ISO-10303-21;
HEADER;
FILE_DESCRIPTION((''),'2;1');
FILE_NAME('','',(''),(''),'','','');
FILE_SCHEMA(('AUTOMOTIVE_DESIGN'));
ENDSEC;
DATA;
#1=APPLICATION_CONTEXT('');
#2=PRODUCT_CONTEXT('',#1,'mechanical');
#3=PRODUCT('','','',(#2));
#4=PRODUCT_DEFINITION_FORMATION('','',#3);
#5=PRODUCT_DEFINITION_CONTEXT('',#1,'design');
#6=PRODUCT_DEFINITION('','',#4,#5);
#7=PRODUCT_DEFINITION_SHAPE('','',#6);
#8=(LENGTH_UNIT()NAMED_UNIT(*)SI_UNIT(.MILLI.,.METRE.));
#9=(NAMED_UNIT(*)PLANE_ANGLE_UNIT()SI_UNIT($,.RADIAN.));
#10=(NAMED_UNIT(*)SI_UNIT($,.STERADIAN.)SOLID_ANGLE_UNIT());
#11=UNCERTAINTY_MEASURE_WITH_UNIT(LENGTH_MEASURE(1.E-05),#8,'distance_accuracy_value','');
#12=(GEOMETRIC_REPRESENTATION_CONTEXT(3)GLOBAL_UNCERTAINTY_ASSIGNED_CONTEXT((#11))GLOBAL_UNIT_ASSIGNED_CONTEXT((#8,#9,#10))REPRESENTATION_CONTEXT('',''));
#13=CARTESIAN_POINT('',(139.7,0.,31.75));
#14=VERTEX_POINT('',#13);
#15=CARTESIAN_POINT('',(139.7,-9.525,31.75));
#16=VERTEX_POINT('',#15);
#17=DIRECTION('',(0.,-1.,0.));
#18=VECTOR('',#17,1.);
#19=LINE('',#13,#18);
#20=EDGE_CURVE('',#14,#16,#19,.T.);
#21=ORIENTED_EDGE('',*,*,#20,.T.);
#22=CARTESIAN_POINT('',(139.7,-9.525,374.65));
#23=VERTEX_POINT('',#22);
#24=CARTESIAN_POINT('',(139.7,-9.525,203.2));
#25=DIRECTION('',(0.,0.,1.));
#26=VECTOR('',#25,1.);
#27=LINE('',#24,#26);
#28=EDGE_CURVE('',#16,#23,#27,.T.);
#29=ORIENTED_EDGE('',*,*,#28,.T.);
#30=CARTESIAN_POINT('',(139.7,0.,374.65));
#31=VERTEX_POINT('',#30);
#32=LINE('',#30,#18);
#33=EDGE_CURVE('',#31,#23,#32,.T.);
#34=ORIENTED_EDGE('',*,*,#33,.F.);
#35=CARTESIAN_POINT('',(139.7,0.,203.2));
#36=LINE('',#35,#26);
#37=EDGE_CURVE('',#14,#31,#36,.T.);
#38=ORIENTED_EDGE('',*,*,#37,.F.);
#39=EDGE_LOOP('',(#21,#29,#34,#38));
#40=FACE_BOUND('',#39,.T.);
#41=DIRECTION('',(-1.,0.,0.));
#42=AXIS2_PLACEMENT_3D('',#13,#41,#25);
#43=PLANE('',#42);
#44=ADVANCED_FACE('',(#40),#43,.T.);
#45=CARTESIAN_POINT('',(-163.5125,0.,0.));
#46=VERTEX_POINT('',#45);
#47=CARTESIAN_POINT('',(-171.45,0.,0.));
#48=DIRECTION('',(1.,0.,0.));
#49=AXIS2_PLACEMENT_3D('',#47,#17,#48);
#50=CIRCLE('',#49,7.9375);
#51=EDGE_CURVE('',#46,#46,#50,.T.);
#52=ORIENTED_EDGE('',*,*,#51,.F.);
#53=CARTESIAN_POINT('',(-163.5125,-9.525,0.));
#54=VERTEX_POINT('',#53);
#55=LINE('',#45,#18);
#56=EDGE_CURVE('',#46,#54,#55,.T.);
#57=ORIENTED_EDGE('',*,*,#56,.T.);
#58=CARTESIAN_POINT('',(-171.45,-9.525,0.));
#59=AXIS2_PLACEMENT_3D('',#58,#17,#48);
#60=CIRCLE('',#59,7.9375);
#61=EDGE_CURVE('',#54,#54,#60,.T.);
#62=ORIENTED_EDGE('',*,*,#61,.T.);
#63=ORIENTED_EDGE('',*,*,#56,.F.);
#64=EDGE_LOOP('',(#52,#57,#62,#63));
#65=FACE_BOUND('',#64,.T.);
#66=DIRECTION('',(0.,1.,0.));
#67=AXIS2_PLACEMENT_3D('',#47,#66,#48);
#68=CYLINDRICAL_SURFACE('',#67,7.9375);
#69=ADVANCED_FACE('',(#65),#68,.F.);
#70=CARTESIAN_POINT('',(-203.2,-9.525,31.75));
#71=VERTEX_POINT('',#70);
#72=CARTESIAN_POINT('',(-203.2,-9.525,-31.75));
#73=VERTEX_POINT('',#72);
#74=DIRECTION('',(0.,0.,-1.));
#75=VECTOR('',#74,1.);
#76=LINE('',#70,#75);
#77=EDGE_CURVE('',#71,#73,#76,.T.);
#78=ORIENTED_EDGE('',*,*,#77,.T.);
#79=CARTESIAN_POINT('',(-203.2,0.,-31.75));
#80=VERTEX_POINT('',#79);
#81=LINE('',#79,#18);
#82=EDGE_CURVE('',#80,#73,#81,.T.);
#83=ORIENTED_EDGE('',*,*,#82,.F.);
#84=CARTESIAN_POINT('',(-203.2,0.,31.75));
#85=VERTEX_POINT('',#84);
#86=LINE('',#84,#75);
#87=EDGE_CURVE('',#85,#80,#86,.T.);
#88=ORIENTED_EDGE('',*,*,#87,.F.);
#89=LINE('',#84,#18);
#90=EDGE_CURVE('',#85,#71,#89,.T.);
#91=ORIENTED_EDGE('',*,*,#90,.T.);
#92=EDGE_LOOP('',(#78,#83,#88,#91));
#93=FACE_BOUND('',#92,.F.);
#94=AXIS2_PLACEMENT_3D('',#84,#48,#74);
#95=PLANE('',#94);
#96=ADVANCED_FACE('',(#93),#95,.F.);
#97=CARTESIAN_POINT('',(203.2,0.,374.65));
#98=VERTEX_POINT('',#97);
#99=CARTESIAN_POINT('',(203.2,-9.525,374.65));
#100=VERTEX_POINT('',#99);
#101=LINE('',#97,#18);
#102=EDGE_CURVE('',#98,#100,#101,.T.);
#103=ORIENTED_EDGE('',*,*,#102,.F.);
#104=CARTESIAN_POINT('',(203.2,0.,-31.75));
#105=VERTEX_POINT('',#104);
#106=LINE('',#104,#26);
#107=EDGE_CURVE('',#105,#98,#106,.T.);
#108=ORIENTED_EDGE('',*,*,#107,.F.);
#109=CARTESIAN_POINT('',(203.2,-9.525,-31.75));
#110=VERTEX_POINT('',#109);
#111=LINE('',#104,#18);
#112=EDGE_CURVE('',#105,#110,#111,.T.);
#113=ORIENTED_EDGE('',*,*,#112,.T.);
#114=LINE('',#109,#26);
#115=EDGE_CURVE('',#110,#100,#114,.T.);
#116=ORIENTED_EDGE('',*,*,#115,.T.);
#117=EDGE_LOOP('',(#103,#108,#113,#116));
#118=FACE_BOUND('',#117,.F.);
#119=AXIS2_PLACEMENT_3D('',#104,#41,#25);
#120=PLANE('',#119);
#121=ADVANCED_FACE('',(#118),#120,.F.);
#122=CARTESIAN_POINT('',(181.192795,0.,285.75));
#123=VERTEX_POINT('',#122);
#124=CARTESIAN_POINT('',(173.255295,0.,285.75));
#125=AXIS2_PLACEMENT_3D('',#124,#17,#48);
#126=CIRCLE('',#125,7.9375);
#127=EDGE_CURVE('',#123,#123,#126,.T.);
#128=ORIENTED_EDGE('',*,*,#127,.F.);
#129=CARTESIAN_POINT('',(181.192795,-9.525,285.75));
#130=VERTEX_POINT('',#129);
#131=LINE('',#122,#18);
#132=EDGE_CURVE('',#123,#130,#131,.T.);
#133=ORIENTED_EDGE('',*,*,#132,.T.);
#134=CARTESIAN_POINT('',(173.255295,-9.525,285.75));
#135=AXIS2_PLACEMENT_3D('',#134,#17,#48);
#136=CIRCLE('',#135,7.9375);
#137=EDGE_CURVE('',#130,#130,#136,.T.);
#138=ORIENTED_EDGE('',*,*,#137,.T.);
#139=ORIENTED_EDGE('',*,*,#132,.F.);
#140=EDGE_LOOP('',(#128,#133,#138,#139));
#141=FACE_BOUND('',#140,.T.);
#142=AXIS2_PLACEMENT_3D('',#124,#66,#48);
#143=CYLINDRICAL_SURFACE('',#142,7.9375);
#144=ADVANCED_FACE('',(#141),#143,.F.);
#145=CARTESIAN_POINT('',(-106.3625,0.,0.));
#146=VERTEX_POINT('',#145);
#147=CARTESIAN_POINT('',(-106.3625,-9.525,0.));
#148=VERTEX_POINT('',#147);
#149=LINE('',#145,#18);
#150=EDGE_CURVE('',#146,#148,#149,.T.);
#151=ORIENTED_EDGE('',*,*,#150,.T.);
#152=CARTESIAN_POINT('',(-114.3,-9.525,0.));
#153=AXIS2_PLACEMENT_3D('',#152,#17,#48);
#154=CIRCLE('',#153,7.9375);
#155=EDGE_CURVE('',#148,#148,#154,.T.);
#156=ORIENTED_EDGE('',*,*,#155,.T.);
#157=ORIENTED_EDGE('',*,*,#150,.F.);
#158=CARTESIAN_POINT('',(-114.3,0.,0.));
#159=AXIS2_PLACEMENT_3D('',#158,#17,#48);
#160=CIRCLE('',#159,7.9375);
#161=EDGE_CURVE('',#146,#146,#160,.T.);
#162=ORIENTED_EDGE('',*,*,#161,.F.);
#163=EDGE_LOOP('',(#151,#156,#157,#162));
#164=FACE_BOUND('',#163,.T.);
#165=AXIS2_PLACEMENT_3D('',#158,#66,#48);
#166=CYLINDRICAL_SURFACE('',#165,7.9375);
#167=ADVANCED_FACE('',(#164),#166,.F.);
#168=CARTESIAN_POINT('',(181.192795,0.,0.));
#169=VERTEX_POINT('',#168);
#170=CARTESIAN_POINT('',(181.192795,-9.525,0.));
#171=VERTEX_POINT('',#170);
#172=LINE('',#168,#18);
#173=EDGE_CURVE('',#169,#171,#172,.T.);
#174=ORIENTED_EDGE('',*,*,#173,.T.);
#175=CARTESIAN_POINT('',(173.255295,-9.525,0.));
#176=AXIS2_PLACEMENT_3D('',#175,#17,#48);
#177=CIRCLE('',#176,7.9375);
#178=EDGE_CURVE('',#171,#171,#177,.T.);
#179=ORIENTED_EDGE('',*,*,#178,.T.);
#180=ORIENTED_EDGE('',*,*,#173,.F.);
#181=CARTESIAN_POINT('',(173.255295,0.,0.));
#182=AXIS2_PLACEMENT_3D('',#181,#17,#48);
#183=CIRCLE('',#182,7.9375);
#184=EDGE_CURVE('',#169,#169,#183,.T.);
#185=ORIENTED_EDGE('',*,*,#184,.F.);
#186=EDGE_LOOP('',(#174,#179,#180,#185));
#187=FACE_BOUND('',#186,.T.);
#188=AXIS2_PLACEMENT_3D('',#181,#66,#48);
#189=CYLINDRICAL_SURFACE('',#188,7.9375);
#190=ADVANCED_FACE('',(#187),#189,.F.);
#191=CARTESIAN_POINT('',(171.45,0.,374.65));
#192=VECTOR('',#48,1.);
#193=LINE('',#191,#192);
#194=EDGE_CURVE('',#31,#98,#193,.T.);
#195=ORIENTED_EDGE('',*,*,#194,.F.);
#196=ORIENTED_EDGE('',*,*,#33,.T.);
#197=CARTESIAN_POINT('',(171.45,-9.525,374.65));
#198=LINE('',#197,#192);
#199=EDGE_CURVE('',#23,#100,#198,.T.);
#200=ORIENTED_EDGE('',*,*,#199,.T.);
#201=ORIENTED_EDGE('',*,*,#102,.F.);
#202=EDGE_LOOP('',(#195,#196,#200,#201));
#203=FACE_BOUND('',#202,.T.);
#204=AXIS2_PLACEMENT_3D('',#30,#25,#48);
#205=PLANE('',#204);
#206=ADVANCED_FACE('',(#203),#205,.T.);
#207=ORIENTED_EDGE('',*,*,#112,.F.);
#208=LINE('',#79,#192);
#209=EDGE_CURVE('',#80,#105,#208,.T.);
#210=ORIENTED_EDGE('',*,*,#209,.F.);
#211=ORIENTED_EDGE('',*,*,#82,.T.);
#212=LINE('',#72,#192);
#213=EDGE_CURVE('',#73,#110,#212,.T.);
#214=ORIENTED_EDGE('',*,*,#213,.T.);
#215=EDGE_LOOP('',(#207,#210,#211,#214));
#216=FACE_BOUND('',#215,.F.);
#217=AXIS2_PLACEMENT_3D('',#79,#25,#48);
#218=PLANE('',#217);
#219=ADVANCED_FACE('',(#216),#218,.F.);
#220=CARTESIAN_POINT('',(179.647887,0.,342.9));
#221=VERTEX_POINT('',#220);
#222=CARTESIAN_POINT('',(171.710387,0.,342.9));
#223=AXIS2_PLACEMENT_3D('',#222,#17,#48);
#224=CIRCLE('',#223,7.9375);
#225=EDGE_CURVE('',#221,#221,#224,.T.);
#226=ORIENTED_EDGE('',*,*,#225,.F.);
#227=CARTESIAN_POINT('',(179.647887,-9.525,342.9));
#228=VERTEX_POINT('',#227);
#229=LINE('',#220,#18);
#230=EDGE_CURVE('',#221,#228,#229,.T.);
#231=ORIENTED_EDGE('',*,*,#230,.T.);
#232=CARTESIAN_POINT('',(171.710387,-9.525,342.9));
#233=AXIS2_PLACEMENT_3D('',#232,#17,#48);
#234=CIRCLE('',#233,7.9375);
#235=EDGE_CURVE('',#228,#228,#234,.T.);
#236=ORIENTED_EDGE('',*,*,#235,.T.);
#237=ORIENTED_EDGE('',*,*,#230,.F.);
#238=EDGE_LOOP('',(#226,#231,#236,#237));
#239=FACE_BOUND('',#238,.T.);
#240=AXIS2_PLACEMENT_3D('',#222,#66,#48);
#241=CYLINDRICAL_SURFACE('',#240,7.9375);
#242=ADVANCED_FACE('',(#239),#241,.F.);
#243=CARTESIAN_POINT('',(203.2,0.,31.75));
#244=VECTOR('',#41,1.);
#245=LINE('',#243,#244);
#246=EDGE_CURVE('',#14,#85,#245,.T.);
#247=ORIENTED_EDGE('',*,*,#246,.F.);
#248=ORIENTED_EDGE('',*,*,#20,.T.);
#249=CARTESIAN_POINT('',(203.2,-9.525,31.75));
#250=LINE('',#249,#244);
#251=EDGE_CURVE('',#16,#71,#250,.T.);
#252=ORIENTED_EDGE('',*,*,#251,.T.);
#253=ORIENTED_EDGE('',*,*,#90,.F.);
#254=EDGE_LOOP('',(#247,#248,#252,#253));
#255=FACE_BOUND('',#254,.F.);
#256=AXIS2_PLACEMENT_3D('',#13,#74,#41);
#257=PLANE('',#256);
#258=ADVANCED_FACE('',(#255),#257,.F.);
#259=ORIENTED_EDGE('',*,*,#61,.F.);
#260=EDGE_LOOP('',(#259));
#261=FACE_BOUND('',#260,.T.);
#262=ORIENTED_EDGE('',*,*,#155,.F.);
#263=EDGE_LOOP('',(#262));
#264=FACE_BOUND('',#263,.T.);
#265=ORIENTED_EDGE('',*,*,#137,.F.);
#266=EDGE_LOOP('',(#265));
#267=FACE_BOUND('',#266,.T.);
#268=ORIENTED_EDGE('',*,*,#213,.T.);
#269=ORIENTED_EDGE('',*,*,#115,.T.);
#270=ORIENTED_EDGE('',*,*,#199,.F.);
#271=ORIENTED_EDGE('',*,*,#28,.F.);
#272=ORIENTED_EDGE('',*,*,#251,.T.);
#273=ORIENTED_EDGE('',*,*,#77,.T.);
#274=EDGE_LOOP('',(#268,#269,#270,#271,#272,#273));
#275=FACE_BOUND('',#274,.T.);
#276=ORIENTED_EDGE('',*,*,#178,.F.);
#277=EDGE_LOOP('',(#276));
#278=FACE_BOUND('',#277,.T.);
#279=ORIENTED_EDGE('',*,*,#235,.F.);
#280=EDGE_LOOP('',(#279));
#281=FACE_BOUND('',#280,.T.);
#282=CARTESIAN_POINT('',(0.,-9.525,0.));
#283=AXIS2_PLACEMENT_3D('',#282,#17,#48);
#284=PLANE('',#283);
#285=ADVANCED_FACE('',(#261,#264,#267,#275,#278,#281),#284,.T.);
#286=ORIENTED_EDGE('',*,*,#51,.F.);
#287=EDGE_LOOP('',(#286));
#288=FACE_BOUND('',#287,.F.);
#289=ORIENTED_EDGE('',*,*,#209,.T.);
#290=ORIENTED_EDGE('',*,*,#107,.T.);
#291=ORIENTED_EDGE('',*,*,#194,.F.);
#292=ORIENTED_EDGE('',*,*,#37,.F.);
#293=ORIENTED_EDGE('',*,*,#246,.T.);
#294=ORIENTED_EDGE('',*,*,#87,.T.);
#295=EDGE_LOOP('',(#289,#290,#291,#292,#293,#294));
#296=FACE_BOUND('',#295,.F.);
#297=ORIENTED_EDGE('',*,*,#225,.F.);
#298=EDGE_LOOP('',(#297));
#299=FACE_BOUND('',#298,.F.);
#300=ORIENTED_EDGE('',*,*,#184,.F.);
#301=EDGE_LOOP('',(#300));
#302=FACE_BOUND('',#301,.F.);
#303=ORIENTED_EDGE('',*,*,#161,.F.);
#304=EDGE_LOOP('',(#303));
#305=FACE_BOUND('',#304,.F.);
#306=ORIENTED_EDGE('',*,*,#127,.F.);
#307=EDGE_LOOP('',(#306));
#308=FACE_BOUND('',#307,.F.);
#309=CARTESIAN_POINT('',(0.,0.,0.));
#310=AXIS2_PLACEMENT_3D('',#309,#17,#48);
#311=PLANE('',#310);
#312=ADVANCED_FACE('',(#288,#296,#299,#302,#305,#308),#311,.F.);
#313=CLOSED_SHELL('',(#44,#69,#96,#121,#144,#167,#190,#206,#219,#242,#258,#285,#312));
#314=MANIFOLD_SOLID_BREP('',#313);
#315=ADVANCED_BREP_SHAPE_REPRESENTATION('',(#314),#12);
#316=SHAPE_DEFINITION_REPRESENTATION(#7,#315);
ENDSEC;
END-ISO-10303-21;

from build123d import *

# Parameters (mm, degrees)
F0_R     = 7.9375
F0_W     = 63.5
F0_H     = 342.9
F1_DEPTH = 9.525


with BuildPart() as f1:
    # F0 (on Front) → F1 (new body)
    with BuildSketch(Plane.XZ):
        Polygon((139.7, 31.75), (-203.2, 31.75), (-203.2, -31.75), (203.2, -31.75), (203.2, 31.75), align=None)
        with Locations((-171.45, 0)):
            Circle(F0_R, mode=Mode.SUBTRACT)
        with Locations((-114.3, 0)):
            Circle(F0_R, mode=Mode.SUBTRACT)
        with Locations((173.255295, 0)):
            Circle(F0_R, mode=Mode.SUBTRACT)
        with Locations((171.45, 203.2)):
            Rectangle(F0_W, F0_H)
        with Locations((173.255295, 285.75)):
            Circle(F0_R, mode=Mode.SUBTRACT)
        with Locations((171.710387, 342.9)):
            Circle(F0_R, mode=Mode.SUBTRACT)
    extrude(amount=F1_DEPTH)


solid = f1.part
